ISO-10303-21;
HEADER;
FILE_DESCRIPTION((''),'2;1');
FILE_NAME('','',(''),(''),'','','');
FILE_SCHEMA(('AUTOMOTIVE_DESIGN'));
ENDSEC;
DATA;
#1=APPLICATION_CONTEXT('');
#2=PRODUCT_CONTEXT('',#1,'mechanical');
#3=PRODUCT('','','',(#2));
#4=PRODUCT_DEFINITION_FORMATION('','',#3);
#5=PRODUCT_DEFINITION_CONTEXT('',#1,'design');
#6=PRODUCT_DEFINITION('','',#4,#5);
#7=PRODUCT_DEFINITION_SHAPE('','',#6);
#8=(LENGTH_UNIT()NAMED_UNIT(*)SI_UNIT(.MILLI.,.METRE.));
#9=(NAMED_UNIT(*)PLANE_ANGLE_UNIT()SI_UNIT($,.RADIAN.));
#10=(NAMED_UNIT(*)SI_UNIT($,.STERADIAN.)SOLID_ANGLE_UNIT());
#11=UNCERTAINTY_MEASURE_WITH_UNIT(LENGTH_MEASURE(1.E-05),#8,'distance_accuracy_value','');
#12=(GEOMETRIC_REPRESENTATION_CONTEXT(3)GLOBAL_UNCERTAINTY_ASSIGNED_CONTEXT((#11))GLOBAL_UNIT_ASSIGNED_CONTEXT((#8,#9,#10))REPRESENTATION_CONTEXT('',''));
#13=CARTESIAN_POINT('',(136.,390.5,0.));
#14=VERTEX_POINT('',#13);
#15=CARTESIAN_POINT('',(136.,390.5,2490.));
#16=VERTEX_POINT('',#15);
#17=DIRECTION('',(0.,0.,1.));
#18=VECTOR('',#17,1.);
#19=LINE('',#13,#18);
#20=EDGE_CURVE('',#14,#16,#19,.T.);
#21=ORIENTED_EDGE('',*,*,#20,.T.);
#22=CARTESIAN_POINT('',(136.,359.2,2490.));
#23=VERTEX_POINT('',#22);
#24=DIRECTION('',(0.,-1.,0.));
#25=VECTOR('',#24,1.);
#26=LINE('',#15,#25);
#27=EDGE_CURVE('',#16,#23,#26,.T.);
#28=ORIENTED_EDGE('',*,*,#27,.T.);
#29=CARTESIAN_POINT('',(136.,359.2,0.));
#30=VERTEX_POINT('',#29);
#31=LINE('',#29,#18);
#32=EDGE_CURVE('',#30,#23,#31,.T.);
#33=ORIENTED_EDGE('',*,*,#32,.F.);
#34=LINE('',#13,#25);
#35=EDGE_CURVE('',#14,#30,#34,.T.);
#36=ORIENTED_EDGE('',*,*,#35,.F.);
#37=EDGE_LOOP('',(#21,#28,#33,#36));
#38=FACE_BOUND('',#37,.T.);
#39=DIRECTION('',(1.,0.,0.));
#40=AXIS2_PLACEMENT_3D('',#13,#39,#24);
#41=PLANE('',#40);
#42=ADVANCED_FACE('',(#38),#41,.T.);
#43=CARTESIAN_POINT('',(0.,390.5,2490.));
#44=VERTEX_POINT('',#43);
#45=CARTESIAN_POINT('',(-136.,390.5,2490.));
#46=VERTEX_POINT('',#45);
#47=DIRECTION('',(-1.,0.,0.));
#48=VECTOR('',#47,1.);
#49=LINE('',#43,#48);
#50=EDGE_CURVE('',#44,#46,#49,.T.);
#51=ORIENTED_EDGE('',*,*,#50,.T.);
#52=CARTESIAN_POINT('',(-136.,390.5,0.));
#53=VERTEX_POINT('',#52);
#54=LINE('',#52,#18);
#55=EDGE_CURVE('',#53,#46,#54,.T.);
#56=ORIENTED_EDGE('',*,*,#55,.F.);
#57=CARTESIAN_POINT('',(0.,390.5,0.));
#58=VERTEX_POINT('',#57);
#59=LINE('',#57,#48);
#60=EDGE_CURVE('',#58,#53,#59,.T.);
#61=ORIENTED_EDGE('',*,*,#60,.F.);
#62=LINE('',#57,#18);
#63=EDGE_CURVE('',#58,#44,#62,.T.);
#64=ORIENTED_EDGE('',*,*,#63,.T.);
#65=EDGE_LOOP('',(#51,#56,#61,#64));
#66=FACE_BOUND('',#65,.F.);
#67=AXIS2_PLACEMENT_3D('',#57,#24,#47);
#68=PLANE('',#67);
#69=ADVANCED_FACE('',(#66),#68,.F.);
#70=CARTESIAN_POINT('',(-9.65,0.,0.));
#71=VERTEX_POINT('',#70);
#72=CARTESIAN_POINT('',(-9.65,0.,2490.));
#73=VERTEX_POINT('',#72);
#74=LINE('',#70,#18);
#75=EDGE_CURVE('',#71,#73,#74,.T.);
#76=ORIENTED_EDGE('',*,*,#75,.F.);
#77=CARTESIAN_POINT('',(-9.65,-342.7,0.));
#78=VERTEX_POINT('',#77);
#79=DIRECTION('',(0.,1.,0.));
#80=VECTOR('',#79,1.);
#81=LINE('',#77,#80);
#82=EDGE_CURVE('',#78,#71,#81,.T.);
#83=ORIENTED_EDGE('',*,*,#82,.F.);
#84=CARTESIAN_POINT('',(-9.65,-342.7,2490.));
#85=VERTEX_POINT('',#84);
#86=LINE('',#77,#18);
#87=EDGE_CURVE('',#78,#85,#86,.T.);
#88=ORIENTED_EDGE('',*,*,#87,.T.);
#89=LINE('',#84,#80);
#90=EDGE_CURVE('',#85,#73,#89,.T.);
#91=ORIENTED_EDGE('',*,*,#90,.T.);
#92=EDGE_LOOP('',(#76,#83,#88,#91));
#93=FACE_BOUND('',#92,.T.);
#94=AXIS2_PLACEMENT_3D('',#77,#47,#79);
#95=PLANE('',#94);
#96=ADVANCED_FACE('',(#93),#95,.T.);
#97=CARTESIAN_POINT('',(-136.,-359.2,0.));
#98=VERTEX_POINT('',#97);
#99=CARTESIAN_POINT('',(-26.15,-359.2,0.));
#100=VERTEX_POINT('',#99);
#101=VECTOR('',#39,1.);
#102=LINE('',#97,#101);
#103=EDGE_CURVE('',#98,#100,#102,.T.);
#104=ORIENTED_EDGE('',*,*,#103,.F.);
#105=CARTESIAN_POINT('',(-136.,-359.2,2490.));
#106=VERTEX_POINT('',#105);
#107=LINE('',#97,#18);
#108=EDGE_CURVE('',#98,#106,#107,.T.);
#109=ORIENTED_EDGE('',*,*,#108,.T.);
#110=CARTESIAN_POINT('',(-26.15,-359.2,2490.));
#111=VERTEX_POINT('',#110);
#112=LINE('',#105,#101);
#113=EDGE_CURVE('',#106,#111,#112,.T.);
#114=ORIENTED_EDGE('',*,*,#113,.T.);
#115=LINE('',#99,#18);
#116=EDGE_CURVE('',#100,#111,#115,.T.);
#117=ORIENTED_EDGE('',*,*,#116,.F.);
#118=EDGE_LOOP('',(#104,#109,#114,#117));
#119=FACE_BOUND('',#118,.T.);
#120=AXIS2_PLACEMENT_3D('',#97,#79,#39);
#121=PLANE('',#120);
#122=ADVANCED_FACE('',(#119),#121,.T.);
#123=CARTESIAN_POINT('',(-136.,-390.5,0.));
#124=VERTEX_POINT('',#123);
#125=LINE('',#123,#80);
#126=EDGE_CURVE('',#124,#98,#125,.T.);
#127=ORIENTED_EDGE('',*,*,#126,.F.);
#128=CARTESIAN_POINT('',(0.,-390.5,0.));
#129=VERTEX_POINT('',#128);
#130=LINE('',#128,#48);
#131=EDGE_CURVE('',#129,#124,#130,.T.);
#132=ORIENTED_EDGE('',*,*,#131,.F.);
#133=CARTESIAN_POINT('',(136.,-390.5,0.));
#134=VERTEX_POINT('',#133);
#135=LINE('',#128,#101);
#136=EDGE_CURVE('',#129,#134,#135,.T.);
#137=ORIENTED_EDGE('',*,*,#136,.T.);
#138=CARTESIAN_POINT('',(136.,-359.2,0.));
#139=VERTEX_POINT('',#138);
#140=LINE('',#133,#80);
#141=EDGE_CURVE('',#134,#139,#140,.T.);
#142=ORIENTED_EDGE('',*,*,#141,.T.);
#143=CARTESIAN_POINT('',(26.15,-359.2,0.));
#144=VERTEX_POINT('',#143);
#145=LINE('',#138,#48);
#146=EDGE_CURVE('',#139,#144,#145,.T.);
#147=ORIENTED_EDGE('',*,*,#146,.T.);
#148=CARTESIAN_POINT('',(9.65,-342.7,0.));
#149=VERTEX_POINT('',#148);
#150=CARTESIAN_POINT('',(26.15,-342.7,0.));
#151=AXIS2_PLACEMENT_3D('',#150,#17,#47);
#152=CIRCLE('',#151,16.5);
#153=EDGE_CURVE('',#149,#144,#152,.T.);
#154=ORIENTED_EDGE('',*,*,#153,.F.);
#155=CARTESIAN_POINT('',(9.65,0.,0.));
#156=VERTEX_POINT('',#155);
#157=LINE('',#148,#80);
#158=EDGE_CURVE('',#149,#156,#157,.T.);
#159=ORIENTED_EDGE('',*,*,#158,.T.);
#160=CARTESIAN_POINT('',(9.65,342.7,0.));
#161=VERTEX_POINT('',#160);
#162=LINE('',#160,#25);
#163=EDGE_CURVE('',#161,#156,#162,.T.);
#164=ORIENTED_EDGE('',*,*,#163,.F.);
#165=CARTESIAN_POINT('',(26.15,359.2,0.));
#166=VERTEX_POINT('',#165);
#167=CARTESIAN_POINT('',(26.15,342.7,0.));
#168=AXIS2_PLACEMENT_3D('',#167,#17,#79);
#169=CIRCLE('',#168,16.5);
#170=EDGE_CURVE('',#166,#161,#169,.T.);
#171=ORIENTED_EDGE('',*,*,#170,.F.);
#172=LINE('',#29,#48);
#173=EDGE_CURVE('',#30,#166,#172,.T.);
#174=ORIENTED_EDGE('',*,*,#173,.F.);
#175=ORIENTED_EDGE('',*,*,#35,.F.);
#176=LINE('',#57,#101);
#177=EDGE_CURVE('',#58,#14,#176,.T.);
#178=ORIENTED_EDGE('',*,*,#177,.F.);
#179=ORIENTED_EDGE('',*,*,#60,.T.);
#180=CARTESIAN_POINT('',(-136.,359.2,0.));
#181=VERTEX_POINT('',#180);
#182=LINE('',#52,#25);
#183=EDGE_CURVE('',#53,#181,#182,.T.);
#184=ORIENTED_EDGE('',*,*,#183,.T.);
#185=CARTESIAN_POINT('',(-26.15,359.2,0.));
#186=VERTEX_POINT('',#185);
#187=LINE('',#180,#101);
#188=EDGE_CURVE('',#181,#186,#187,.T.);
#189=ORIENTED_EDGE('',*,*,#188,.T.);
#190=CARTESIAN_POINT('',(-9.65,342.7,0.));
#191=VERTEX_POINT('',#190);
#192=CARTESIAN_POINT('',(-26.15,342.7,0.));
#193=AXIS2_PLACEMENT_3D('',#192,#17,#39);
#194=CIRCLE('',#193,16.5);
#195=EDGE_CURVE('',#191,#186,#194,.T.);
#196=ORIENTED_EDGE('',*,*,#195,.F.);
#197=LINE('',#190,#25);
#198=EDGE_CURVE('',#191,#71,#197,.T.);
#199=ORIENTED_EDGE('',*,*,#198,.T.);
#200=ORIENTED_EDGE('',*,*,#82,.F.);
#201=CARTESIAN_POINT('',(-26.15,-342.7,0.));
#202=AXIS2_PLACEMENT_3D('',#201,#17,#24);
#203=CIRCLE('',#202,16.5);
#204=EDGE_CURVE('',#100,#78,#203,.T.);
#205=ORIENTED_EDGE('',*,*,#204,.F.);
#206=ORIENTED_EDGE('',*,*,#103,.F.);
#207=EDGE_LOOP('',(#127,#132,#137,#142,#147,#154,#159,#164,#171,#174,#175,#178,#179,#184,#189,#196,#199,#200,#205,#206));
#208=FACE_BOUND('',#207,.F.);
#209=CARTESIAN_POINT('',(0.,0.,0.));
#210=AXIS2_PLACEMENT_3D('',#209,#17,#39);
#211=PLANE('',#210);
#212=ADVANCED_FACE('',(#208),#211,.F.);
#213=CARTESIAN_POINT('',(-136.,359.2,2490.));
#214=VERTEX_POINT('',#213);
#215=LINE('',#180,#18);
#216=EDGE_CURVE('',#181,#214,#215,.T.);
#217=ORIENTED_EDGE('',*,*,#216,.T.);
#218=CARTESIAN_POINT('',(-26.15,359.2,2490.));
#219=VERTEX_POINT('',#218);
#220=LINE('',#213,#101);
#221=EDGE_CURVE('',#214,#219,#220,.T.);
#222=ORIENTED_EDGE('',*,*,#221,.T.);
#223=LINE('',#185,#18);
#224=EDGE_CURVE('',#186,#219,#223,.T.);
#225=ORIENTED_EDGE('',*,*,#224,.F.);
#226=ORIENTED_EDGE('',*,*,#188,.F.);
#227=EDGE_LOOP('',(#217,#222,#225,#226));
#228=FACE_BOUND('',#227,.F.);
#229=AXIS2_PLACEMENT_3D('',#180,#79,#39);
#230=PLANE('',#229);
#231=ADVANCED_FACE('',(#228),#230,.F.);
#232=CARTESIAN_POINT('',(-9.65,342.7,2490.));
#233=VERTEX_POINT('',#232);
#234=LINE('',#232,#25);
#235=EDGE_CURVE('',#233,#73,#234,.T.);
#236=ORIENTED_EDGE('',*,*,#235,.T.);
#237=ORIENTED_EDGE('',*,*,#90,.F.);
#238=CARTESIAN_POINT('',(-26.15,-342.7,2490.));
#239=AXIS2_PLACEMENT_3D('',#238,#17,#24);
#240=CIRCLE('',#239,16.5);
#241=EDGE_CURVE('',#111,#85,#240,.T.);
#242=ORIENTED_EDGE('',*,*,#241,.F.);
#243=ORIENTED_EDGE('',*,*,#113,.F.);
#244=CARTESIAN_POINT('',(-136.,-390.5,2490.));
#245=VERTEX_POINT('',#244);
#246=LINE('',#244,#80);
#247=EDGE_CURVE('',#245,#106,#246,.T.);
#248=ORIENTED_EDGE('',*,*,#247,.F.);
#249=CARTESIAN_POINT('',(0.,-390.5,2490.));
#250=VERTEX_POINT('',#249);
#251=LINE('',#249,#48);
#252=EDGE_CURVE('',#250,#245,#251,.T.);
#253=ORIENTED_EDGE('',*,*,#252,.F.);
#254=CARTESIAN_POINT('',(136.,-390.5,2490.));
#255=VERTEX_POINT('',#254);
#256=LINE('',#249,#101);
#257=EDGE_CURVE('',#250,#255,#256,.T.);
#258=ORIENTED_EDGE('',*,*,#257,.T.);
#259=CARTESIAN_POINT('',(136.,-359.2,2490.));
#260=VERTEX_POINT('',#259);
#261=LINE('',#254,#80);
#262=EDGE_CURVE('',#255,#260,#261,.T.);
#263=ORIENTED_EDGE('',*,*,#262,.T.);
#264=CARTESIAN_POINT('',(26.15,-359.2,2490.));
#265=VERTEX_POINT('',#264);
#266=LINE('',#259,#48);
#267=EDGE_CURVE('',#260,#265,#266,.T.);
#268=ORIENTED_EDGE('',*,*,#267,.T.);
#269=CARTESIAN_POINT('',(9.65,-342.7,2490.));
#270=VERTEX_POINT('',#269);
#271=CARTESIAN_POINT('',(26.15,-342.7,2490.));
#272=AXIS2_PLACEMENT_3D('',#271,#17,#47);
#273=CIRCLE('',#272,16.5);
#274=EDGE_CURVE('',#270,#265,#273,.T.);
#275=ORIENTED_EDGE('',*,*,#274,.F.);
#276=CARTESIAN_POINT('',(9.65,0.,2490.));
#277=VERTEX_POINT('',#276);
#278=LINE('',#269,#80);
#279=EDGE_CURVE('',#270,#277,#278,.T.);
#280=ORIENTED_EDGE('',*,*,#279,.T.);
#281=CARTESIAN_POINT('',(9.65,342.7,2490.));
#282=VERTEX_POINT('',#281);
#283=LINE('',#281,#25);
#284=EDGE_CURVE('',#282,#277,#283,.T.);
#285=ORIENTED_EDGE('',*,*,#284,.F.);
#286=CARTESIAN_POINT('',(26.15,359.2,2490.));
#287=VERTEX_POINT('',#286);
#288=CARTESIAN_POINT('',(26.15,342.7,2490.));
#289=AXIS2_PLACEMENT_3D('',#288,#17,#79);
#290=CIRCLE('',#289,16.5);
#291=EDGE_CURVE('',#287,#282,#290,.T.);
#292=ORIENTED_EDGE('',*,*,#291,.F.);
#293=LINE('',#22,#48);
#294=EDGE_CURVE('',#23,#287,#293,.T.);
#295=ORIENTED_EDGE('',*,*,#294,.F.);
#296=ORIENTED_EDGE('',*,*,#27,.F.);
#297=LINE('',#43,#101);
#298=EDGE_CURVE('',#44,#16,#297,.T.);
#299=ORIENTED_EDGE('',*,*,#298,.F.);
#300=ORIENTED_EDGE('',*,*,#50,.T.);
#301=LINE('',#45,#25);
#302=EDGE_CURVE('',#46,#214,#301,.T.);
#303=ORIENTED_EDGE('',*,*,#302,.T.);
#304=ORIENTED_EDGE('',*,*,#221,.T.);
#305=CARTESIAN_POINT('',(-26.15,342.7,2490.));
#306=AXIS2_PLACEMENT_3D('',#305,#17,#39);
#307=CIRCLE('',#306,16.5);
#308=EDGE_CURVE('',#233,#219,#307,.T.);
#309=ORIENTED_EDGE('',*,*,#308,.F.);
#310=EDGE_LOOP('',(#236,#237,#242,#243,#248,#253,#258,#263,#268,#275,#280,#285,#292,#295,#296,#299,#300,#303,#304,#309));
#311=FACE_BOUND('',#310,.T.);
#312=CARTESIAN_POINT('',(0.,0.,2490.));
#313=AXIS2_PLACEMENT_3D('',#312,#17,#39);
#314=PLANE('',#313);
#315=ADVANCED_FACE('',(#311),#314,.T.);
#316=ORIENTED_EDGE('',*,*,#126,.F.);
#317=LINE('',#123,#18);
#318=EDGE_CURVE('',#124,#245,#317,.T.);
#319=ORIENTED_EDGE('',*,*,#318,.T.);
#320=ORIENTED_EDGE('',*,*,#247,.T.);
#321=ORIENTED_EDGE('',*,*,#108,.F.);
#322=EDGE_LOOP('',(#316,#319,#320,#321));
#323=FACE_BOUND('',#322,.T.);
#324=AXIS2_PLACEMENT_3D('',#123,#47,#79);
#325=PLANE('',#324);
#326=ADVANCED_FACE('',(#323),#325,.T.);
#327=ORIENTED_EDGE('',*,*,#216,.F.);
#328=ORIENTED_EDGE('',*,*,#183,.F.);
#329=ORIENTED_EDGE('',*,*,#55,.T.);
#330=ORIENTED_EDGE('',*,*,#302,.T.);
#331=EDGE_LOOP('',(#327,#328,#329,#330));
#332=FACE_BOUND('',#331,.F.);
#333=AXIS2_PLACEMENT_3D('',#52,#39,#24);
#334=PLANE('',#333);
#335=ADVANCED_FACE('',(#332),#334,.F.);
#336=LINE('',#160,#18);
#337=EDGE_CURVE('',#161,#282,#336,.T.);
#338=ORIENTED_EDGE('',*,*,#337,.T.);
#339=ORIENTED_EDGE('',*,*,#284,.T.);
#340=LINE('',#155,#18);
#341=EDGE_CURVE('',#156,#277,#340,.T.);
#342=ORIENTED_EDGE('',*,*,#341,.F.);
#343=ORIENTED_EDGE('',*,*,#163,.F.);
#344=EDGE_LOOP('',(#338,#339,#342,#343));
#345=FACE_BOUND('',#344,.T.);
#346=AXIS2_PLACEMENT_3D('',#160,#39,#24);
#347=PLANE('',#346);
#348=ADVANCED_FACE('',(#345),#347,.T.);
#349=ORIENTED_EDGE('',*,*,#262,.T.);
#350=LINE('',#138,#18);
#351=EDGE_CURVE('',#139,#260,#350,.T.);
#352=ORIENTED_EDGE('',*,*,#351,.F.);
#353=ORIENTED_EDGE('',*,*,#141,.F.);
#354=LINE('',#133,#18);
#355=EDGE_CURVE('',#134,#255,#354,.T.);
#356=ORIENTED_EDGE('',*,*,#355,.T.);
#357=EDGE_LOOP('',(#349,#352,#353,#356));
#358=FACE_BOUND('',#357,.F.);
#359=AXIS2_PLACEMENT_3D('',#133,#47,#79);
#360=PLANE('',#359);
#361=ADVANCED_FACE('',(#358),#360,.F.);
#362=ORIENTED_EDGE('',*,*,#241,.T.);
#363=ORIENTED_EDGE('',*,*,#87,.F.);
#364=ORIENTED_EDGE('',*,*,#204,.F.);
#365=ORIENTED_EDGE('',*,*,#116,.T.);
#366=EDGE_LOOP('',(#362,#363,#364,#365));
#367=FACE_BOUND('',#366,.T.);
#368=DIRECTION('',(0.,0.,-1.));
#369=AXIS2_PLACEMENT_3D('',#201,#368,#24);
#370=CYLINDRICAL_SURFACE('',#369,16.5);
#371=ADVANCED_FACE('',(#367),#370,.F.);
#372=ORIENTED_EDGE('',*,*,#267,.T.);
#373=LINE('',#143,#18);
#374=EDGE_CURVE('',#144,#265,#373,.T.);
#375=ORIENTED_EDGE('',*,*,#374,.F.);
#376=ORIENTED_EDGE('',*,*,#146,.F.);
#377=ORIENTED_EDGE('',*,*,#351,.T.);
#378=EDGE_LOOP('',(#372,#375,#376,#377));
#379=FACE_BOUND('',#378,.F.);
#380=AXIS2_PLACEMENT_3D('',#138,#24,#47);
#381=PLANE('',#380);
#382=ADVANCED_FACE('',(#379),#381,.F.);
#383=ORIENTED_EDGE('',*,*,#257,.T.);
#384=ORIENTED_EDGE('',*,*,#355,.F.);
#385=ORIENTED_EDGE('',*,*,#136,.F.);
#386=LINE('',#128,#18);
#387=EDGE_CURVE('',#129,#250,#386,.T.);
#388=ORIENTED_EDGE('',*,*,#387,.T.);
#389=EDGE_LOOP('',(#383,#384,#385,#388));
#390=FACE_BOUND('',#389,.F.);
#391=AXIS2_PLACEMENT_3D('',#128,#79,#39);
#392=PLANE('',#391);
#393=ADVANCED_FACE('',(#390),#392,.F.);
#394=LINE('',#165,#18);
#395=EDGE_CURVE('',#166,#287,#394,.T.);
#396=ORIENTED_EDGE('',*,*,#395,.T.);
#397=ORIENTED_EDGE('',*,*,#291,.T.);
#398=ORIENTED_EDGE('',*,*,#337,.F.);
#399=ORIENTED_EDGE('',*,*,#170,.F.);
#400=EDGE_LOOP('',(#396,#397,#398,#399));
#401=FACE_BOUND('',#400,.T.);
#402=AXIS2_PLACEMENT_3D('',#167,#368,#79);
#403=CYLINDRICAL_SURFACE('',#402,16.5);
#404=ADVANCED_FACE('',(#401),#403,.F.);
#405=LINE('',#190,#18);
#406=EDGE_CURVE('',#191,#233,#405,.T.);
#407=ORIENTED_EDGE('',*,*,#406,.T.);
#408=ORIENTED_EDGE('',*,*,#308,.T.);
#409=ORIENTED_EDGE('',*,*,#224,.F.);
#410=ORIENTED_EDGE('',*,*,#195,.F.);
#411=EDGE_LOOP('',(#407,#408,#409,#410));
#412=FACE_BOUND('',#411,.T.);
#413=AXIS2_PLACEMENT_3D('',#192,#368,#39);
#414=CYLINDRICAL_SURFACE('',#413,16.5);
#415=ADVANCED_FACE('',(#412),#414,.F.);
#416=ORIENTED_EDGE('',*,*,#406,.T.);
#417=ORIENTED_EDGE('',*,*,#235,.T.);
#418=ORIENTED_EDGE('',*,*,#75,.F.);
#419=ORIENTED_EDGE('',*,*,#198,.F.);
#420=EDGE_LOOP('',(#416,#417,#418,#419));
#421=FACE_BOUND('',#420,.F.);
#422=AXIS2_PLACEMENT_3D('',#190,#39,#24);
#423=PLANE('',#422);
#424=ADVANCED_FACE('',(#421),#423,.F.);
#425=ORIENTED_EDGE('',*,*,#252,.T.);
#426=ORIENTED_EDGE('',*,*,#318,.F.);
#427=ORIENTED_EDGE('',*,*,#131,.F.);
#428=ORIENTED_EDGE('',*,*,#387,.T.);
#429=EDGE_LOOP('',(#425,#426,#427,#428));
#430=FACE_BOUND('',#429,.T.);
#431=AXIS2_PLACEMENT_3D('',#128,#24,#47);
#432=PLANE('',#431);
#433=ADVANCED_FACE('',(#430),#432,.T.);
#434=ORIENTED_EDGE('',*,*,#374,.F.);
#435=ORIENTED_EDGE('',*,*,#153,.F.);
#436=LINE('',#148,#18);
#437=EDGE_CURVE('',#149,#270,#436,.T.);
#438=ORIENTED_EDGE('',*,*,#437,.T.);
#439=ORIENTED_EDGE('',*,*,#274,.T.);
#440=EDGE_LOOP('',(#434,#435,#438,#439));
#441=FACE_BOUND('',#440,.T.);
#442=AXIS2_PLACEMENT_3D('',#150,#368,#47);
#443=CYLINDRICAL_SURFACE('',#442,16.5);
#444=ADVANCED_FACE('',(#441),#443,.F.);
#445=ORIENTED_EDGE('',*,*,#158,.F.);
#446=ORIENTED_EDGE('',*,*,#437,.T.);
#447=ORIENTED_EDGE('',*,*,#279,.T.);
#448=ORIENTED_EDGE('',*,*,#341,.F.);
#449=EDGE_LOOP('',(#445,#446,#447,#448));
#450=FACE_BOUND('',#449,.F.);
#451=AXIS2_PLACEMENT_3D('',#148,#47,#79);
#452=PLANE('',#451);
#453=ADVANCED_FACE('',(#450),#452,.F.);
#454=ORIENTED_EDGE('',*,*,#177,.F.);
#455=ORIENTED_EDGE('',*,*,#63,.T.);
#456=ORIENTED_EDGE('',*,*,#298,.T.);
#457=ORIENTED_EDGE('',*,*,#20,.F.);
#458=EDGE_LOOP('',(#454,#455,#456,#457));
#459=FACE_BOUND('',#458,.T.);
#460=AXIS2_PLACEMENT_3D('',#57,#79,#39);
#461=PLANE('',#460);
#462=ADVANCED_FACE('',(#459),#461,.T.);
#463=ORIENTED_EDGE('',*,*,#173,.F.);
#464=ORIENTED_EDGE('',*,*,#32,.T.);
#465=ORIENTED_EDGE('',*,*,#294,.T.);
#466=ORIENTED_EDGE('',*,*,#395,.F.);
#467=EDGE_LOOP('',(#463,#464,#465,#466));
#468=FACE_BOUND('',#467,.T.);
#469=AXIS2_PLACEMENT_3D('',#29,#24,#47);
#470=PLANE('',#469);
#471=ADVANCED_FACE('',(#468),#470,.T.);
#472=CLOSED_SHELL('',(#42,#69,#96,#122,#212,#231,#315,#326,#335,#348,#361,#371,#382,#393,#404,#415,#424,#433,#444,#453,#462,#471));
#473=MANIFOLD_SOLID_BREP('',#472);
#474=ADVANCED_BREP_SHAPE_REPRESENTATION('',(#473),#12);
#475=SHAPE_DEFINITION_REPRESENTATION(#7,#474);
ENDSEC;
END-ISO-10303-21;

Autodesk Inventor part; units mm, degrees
ref_plane "YZ Plane" through (0, 0, 0) normal (1, 0, 0) x (0, 1, 0)
ref_plane "Start plane" through (0, 0, 0) normal (0, 0, 1) x (1, 0, 0)
ref_plane "End plane" through (0, 0, 2490) normal (0, 0, 1) x (1, 0, 0)
sketch "Sketch" plane through (0, 0, 0) normal (0, 0, 1) x (1, 0, 0)
  line L0 (-136, -390.5) -> (-136, -359.2)
  line L1 (-136, -359.2) -> (-26.15, -359.2)
  line L2 (-9.65, -342.7) -> (-9.65, 0)
  line L3 (-9.65, 0) -> (0, 0) construction
  line L4 (0, 0) -> (0, -390.5) construction
  line L5 (0, -390.5) -> (-136, -390.5)
  line L6 (-60, 0) -> (80, 0) construction
  line L7 (0, -60) -> (0, 80) construction
  line L8 (136, -390.5) -> (136, -359.2)
  line L9 (136, -359.2) -> (26.15, -359.2)
  line L10 (9.65, -342.7) -> (9.65, 0)
  line L11 (9.65, 0) -> (0, 0) construction
  line L12 (0, -390.5) -> (136, -390.5)
  line L13 (-136, 390.5) -> (-136, 359.2)
  line L14 (-136, 359.2) -> (-26.15, 359.2)
  line L15 (-9.65, 342.7) -> (-9.65, 0)
  line L16 (0, 390.5) -> (-136, 390.5)
  line L17 (136, 390.5) -> (136, 359.2)
  line L18 (136, 359.2) -> (26.15, 359.2)
  line L19 (0, 390.5) -> (136, 390.5)
  line L20 (9.65, 342.7) -> (9.65, 0)
  arc A0 (-9.65, 342.7) -> (-26.15, 359.2) centre (-26.15, 342.7) ccw
  arc A1 (26.15, 359.2) -> (9.65, 342.7) centre (26.15, 342.7) ccw
  arc A2 (9.65, -342.7) -> (26.15, -359.2) centre (26.15, -342.7) ccw
  arc A3 (-26.15, -359.2) -> (-9.65, -342.7) centre (-26.15, -342.7) ccw
  line L21 (0, 108) -> (0, -88) construction
  line L22 (-88, 0) -> (108, 0) construction
  point P0 (-9.65, -359.2)
  point P1 (9.65, -359.2)
  point P2 (-9.65, 359.2)
  point P3 (9.65, 359.2)
  dimension "d1" = 390.5
  dimension "d2" = 31.3
  dimension "d3" = 136
  dimension "d4" = 9.65
  dimension "d10" = 16.5
extrude "Body" add sketch "Sketch" along normal up to surface (2490 mm away) from surface at 0
sketch "Sketch4" plane through (0, 0, 0) normal (0, 0, 1) x (1, 0, 0)
  line L0 (0, 0) -> (10, 0)
ref_plane "Work Plane3" through (0, 0, 0) normal (0, -1, 0) x (1, 0, 0)
sketch "Sketch5" plane through (0, 0, 0) normal (0, -1, 0) x (1, 0, 0)
  line L0 (-2, 0) -> (12, 0) projected
  line L1 (-2, 2490) -> (12, 2490) projected
  dimension "d14" = 2490
equation "\"d1\" = 0.5 * G_H"
equation "\"d2\" = G_T1"
equation "\"d3\" = 0.5 * G_W"
equation "\"d4\" = 0.5 * G_T"
equation "\"d10\" = G_IR"
equation "\"d5\" = G_L"
equation "\"G_W\" = 272"
equation "\"G_H\" = 781"
equation "\"G_T\" = 19.3"
equation "\"G_T1\" = 31.3"
equation "\"G_IR\" = 16.5"
equation "\"G_L\" = d14"
equation "\"G_OFFSET_START\" = 0"
equation "\"G_OFFSET_END\" = 0"
properties part number "AS 3679-1990 - 760 UB - 244 - 2490" material "Steel, Mild"
